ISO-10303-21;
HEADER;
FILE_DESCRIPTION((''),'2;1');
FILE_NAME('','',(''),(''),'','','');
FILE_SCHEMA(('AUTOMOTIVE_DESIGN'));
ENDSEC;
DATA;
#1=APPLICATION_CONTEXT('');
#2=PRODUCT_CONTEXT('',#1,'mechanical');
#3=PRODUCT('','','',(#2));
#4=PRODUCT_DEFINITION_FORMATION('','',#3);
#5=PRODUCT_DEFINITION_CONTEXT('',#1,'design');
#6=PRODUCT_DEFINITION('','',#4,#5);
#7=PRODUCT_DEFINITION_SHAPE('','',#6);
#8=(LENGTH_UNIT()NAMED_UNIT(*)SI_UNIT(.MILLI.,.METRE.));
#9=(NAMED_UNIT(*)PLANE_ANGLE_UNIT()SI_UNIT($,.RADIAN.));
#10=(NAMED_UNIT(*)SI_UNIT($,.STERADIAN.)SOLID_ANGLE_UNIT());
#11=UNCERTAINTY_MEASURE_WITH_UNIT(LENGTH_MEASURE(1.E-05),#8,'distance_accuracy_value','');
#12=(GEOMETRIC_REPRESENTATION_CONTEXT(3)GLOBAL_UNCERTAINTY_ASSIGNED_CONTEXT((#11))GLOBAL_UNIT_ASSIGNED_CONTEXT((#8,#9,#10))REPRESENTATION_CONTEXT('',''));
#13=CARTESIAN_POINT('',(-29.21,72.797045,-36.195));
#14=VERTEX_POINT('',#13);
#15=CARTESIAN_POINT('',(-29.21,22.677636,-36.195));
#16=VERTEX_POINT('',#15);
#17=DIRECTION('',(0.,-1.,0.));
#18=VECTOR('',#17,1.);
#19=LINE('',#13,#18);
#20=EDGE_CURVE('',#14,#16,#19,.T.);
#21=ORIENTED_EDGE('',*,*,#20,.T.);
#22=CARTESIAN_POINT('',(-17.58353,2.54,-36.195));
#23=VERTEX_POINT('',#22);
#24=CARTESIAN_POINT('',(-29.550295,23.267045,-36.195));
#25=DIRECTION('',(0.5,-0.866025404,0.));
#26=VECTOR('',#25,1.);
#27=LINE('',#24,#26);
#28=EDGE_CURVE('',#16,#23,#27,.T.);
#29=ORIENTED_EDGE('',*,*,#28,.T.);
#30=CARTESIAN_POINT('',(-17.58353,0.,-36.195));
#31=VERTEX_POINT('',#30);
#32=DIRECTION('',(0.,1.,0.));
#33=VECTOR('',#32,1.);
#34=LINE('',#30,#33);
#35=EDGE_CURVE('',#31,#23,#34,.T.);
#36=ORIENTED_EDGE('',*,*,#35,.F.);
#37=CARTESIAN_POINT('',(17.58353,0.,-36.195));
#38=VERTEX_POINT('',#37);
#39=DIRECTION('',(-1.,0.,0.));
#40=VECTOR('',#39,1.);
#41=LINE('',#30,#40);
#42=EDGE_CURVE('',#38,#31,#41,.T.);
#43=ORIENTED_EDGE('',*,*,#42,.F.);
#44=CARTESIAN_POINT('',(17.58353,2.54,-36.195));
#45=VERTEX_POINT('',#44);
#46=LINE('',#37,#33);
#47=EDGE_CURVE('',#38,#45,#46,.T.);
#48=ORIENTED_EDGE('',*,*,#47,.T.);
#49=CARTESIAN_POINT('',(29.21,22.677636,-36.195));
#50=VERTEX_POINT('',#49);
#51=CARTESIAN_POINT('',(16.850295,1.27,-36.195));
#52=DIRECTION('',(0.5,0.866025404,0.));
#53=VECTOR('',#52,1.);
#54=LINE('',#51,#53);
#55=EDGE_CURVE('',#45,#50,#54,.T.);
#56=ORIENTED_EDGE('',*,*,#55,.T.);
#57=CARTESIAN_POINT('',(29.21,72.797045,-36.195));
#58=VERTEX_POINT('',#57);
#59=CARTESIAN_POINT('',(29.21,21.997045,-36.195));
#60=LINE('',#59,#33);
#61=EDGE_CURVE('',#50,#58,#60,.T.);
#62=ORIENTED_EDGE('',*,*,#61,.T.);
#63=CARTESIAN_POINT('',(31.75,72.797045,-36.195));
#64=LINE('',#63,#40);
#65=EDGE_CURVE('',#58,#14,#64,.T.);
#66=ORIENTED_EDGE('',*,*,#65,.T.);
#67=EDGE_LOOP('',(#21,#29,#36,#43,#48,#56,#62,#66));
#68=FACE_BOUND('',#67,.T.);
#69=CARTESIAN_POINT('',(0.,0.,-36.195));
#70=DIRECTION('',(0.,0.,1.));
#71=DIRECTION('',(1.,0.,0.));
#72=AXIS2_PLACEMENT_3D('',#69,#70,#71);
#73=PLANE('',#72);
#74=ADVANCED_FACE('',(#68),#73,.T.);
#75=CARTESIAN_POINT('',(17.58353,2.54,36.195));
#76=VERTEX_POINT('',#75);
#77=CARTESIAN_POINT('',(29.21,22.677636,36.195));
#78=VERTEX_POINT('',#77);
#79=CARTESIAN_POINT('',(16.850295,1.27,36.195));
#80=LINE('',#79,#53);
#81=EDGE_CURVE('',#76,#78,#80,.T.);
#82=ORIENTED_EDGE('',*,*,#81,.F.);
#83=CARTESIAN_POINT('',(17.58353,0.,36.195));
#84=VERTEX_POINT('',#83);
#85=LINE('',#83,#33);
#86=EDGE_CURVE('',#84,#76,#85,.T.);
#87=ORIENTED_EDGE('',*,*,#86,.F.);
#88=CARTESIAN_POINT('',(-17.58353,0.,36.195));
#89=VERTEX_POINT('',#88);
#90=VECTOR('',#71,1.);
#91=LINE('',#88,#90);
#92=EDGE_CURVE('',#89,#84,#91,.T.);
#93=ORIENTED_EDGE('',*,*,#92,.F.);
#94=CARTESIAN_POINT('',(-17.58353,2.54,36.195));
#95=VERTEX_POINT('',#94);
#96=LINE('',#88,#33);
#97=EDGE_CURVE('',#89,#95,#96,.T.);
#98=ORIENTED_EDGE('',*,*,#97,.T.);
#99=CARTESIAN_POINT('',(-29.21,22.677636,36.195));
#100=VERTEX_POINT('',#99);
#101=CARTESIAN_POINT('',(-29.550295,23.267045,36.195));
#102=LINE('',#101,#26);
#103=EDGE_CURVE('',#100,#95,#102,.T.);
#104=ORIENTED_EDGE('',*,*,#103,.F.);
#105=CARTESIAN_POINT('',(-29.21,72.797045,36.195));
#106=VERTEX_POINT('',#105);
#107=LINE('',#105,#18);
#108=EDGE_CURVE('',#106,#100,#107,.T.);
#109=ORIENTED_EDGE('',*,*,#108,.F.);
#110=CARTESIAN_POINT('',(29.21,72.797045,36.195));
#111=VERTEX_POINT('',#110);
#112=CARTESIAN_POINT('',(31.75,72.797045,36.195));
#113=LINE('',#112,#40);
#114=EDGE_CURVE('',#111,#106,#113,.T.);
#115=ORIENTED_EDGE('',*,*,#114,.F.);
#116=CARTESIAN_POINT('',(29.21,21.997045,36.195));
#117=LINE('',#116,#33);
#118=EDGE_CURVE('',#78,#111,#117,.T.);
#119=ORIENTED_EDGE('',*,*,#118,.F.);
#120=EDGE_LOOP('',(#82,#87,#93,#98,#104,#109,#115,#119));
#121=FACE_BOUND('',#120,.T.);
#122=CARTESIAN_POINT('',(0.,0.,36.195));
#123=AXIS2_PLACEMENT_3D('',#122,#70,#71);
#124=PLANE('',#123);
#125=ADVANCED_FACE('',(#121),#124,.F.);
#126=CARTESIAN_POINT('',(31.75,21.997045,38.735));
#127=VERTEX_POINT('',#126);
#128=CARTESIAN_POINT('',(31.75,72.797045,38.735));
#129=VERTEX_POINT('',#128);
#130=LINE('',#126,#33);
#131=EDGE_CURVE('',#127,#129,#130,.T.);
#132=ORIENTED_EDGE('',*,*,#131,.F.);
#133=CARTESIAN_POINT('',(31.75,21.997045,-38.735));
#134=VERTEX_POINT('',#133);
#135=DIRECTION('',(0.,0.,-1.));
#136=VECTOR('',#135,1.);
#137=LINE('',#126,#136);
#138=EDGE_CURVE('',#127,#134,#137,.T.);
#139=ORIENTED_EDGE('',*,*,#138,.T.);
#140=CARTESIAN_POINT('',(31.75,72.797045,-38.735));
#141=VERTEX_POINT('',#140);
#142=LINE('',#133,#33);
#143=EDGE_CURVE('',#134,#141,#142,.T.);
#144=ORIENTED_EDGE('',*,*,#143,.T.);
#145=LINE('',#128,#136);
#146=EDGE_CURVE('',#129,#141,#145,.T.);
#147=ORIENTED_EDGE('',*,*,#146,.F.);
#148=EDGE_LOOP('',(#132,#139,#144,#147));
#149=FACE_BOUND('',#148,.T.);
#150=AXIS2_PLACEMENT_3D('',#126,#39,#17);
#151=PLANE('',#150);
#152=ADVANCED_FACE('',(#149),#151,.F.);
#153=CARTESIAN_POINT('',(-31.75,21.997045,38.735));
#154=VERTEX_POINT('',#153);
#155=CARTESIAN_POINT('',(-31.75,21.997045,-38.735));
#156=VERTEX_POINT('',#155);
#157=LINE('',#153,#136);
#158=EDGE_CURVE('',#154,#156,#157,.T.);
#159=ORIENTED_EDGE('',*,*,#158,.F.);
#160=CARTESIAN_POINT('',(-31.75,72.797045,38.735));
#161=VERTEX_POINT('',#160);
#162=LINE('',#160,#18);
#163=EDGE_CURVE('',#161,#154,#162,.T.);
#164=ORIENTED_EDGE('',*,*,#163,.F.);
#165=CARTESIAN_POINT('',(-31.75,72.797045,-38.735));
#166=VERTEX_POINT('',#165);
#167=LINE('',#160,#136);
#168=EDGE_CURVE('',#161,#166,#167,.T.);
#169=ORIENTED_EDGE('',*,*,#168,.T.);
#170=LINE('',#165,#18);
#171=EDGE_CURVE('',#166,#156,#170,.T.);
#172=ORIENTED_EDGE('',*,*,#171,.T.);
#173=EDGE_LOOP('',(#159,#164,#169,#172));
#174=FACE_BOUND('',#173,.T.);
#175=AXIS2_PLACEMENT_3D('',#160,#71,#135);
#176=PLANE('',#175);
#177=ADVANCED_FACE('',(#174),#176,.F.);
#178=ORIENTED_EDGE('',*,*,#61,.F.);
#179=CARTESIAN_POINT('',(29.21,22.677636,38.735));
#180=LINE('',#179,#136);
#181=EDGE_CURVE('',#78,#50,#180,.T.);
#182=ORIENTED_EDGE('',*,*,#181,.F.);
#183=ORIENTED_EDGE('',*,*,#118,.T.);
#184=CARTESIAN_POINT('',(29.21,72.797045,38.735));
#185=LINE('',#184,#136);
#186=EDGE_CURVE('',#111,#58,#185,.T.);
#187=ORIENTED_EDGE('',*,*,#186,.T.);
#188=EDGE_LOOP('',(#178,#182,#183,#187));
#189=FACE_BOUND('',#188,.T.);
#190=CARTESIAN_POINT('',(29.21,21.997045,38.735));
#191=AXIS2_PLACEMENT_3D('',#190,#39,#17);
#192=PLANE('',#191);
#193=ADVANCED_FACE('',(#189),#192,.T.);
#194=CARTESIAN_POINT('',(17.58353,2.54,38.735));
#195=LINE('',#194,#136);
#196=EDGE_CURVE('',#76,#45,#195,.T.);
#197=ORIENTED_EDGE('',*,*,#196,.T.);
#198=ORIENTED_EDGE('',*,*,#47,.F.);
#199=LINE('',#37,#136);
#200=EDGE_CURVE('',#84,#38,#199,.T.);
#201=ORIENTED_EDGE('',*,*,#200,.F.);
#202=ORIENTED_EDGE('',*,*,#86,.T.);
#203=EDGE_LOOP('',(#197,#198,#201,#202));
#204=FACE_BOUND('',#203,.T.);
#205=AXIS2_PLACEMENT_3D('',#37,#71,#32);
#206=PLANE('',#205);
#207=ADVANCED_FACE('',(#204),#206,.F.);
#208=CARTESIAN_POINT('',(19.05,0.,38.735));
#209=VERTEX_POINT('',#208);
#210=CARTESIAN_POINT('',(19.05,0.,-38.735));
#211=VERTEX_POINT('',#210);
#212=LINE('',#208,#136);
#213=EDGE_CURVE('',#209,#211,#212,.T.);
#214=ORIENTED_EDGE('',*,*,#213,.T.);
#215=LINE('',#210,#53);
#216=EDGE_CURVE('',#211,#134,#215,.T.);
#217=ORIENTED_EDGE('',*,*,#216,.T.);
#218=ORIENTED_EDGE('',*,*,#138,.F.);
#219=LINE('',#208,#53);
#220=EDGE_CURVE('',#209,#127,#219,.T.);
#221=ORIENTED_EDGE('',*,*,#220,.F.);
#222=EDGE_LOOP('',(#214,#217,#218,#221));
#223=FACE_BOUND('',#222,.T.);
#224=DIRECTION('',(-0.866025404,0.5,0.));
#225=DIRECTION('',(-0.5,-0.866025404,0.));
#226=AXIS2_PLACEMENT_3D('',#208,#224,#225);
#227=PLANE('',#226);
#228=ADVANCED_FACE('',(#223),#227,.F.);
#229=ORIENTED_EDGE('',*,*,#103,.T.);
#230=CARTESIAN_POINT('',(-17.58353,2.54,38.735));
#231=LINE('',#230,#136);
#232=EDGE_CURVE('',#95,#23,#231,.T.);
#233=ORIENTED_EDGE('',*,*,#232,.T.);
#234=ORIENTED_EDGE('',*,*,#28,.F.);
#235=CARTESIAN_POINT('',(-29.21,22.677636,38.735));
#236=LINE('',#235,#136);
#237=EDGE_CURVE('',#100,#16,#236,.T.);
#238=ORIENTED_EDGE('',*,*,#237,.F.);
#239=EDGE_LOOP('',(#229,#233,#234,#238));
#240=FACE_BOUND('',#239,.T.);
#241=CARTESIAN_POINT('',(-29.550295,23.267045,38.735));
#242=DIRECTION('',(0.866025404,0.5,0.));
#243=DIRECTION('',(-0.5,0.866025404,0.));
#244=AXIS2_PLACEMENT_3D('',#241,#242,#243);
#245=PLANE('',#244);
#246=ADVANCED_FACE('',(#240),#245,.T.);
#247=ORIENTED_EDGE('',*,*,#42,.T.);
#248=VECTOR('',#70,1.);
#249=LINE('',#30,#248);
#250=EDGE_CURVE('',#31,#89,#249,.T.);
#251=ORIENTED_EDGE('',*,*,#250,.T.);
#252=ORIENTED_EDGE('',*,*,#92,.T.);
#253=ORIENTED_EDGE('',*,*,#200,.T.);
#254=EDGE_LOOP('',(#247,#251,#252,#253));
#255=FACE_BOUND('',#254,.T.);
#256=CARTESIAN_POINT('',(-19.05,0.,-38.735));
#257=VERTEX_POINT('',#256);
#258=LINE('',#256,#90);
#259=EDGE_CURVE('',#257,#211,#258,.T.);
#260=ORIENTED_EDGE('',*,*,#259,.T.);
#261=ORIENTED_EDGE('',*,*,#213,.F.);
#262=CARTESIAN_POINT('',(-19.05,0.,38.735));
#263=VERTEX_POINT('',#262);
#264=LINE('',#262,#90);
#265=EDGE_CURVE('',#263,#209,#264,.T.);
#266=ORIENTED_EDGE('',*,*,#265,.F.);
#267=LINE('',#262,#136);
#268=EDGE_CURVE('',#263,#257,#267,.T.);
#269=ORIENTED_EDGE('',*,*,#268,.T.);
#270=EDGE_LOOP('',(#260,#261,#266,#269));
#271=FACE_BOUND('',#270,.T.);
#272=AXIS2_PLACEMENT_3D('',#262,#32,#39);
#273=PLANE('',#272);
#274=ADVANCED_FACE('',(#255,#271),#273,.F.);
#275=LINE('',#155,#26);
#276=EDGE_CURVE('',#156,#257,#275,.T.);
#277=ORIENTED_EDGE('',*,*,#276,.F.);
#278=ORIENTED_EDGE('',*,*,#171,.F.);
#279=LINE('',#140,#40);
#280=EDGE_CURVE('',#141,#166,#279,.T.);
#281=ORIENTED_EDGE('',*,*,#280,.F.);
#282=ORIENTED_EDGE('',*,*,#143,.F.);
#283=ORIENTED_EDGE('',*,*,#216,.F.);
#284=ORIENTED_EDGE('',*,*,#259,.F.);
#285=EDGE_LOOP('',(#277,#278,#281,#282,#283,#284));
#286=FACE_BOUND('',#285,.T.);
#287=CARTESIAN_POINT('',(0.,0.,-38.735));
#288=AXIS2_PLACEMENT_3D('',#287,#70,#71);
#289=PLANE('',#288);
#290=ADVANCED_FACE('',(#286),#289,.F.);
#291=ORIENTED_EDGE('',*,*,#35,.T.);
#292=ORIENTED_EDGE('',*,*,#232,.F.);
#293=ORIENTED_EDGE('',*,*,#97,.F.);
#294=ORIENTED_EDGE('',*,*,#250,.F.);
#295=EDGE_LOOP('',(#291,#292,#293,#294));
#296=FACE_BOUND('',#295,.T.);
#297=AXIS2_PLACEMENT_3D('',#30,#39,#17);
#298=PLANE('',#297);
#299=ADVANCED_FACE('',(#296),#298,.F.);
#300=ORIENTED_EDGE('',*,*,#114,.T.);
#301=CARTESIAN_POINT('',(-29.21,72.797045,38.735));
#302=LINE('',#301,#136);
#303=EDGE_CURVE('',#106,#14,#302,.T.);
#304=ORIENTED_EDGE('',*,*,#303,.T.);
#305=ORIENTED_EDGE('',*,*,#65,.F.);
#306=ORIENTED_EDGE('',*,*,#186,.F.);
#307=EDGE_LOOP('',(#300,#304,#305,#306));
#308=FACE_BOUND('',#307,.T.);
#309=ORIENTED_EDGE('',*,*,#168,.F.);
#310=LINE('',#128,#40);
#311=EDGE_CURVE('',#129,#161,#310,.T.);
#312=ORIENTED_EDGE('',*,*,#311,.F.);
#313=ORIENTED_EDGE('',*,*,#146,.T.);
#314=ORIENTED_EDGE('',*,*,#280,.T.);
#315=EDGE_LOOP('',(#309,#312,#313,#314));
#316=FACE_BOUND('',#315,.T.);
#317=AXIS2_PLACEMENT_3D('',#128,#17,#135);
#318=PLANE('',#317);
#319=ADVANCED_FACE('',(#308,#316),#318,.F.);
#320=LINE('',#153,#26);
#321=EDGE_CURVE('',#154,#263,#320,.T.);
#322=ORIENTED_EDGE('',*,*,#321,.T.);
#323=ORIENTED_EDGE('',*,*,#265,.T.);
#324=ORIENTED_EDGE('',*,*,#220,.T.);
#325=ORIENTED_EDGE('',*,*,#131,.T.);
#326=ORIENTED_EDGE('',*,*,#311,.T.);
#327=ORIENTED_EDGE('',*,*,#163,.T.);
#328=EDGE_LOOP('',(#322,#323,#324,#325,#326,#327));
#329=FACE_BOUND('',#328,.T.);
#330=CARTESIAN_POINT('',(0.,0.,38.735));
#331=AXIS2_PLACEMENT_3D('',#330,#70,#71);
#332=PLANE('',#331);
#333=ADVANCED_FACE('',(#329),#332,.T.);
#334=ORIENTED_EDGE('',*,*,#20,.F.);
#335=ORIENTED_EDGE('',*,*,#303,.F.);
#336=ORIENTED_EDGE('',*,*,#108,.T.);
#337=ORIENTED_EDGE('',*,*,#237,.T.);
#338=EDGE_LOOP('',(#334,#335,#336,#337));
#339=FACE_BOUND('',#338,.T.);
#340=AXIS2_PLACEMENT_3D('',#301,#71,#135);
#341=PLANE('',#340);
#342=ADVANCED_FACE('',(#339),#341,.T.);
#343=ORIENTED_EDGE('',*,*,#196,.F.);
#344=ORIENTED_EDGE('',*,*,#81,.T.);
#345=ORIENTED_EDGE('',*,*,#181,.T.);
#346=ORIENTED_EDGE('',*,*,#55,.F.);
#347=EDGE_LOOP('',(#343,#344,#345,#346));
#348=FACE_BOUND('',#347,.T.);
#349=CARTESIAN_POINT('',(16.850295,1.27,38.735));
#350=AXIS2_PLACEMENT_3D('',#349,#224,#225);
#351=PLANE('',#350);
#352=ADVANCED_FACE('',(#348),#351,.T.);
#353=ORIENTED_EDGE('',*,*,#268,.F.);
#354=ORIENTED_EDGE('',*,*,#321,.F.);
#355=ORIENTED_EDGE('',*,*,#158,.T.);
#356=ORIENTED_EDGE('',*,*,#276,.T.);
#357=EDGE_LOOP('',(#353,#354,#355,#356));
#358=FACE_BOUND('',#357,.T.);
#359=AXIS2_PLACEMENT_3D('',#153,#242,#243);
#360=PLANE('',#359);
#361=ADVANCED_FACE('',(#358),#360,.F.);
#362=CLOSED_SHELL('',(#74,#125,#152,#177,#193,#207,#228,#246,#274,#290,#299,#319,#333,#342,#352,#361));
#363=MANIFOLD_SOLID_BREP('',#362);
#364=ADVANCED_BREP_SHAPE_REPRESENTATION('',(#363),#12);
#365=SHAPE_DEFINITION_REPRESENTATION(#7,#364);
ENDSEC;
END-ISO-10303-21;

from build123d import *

# Parameters (mm, degrees)
BOSS_EXTRUDE1_DEPTH = 38.735
SHELL1_T            = -2.54
SKETCH4_W           = 35.167060632
SKETCH4_H           = 72.39
CUT_EXTRUDE1_DEPTH  = 87.281603677


with BuildPart() as part:
    # Sketch1 → Boss-Extrude1 (new, symmetric)
    with BuildSketch(Plane.XY):
        Polygon((-19.05, 0), (19.05, 0), (31.75, 21.997045256), (31.75, 72.797045256), (-31.75, 72.797045256), (-31.75, 21.997045256), align=None)
    extrude(amount=BOSS_EXTRUDE1_DEPTH, both=True)

    # Shell1
    shell1_openings = [part.faces().sort_by_distance(p)[0] for p in [
        (0, 72.797045256, 0),
    ]]
    offset(amount=SHELL1_T, openings=shell1_openings, kind=Kind.INTERSECTION)

    # Sketch4 → Cut-Extrude1 (cut, through all)
    with BuildSketch(Plane(origin=(0, 2.54, 0), x_dir=(1, 0, 0), z_dir=(0, 1, 0))):
        Rectangle(SKETCH4_W, SKETCH4_H)
    extrude(amount=-CUT_EXTRUDE1_DEPTH, mode=Mode.SUBTRACT)


solid = part.part
